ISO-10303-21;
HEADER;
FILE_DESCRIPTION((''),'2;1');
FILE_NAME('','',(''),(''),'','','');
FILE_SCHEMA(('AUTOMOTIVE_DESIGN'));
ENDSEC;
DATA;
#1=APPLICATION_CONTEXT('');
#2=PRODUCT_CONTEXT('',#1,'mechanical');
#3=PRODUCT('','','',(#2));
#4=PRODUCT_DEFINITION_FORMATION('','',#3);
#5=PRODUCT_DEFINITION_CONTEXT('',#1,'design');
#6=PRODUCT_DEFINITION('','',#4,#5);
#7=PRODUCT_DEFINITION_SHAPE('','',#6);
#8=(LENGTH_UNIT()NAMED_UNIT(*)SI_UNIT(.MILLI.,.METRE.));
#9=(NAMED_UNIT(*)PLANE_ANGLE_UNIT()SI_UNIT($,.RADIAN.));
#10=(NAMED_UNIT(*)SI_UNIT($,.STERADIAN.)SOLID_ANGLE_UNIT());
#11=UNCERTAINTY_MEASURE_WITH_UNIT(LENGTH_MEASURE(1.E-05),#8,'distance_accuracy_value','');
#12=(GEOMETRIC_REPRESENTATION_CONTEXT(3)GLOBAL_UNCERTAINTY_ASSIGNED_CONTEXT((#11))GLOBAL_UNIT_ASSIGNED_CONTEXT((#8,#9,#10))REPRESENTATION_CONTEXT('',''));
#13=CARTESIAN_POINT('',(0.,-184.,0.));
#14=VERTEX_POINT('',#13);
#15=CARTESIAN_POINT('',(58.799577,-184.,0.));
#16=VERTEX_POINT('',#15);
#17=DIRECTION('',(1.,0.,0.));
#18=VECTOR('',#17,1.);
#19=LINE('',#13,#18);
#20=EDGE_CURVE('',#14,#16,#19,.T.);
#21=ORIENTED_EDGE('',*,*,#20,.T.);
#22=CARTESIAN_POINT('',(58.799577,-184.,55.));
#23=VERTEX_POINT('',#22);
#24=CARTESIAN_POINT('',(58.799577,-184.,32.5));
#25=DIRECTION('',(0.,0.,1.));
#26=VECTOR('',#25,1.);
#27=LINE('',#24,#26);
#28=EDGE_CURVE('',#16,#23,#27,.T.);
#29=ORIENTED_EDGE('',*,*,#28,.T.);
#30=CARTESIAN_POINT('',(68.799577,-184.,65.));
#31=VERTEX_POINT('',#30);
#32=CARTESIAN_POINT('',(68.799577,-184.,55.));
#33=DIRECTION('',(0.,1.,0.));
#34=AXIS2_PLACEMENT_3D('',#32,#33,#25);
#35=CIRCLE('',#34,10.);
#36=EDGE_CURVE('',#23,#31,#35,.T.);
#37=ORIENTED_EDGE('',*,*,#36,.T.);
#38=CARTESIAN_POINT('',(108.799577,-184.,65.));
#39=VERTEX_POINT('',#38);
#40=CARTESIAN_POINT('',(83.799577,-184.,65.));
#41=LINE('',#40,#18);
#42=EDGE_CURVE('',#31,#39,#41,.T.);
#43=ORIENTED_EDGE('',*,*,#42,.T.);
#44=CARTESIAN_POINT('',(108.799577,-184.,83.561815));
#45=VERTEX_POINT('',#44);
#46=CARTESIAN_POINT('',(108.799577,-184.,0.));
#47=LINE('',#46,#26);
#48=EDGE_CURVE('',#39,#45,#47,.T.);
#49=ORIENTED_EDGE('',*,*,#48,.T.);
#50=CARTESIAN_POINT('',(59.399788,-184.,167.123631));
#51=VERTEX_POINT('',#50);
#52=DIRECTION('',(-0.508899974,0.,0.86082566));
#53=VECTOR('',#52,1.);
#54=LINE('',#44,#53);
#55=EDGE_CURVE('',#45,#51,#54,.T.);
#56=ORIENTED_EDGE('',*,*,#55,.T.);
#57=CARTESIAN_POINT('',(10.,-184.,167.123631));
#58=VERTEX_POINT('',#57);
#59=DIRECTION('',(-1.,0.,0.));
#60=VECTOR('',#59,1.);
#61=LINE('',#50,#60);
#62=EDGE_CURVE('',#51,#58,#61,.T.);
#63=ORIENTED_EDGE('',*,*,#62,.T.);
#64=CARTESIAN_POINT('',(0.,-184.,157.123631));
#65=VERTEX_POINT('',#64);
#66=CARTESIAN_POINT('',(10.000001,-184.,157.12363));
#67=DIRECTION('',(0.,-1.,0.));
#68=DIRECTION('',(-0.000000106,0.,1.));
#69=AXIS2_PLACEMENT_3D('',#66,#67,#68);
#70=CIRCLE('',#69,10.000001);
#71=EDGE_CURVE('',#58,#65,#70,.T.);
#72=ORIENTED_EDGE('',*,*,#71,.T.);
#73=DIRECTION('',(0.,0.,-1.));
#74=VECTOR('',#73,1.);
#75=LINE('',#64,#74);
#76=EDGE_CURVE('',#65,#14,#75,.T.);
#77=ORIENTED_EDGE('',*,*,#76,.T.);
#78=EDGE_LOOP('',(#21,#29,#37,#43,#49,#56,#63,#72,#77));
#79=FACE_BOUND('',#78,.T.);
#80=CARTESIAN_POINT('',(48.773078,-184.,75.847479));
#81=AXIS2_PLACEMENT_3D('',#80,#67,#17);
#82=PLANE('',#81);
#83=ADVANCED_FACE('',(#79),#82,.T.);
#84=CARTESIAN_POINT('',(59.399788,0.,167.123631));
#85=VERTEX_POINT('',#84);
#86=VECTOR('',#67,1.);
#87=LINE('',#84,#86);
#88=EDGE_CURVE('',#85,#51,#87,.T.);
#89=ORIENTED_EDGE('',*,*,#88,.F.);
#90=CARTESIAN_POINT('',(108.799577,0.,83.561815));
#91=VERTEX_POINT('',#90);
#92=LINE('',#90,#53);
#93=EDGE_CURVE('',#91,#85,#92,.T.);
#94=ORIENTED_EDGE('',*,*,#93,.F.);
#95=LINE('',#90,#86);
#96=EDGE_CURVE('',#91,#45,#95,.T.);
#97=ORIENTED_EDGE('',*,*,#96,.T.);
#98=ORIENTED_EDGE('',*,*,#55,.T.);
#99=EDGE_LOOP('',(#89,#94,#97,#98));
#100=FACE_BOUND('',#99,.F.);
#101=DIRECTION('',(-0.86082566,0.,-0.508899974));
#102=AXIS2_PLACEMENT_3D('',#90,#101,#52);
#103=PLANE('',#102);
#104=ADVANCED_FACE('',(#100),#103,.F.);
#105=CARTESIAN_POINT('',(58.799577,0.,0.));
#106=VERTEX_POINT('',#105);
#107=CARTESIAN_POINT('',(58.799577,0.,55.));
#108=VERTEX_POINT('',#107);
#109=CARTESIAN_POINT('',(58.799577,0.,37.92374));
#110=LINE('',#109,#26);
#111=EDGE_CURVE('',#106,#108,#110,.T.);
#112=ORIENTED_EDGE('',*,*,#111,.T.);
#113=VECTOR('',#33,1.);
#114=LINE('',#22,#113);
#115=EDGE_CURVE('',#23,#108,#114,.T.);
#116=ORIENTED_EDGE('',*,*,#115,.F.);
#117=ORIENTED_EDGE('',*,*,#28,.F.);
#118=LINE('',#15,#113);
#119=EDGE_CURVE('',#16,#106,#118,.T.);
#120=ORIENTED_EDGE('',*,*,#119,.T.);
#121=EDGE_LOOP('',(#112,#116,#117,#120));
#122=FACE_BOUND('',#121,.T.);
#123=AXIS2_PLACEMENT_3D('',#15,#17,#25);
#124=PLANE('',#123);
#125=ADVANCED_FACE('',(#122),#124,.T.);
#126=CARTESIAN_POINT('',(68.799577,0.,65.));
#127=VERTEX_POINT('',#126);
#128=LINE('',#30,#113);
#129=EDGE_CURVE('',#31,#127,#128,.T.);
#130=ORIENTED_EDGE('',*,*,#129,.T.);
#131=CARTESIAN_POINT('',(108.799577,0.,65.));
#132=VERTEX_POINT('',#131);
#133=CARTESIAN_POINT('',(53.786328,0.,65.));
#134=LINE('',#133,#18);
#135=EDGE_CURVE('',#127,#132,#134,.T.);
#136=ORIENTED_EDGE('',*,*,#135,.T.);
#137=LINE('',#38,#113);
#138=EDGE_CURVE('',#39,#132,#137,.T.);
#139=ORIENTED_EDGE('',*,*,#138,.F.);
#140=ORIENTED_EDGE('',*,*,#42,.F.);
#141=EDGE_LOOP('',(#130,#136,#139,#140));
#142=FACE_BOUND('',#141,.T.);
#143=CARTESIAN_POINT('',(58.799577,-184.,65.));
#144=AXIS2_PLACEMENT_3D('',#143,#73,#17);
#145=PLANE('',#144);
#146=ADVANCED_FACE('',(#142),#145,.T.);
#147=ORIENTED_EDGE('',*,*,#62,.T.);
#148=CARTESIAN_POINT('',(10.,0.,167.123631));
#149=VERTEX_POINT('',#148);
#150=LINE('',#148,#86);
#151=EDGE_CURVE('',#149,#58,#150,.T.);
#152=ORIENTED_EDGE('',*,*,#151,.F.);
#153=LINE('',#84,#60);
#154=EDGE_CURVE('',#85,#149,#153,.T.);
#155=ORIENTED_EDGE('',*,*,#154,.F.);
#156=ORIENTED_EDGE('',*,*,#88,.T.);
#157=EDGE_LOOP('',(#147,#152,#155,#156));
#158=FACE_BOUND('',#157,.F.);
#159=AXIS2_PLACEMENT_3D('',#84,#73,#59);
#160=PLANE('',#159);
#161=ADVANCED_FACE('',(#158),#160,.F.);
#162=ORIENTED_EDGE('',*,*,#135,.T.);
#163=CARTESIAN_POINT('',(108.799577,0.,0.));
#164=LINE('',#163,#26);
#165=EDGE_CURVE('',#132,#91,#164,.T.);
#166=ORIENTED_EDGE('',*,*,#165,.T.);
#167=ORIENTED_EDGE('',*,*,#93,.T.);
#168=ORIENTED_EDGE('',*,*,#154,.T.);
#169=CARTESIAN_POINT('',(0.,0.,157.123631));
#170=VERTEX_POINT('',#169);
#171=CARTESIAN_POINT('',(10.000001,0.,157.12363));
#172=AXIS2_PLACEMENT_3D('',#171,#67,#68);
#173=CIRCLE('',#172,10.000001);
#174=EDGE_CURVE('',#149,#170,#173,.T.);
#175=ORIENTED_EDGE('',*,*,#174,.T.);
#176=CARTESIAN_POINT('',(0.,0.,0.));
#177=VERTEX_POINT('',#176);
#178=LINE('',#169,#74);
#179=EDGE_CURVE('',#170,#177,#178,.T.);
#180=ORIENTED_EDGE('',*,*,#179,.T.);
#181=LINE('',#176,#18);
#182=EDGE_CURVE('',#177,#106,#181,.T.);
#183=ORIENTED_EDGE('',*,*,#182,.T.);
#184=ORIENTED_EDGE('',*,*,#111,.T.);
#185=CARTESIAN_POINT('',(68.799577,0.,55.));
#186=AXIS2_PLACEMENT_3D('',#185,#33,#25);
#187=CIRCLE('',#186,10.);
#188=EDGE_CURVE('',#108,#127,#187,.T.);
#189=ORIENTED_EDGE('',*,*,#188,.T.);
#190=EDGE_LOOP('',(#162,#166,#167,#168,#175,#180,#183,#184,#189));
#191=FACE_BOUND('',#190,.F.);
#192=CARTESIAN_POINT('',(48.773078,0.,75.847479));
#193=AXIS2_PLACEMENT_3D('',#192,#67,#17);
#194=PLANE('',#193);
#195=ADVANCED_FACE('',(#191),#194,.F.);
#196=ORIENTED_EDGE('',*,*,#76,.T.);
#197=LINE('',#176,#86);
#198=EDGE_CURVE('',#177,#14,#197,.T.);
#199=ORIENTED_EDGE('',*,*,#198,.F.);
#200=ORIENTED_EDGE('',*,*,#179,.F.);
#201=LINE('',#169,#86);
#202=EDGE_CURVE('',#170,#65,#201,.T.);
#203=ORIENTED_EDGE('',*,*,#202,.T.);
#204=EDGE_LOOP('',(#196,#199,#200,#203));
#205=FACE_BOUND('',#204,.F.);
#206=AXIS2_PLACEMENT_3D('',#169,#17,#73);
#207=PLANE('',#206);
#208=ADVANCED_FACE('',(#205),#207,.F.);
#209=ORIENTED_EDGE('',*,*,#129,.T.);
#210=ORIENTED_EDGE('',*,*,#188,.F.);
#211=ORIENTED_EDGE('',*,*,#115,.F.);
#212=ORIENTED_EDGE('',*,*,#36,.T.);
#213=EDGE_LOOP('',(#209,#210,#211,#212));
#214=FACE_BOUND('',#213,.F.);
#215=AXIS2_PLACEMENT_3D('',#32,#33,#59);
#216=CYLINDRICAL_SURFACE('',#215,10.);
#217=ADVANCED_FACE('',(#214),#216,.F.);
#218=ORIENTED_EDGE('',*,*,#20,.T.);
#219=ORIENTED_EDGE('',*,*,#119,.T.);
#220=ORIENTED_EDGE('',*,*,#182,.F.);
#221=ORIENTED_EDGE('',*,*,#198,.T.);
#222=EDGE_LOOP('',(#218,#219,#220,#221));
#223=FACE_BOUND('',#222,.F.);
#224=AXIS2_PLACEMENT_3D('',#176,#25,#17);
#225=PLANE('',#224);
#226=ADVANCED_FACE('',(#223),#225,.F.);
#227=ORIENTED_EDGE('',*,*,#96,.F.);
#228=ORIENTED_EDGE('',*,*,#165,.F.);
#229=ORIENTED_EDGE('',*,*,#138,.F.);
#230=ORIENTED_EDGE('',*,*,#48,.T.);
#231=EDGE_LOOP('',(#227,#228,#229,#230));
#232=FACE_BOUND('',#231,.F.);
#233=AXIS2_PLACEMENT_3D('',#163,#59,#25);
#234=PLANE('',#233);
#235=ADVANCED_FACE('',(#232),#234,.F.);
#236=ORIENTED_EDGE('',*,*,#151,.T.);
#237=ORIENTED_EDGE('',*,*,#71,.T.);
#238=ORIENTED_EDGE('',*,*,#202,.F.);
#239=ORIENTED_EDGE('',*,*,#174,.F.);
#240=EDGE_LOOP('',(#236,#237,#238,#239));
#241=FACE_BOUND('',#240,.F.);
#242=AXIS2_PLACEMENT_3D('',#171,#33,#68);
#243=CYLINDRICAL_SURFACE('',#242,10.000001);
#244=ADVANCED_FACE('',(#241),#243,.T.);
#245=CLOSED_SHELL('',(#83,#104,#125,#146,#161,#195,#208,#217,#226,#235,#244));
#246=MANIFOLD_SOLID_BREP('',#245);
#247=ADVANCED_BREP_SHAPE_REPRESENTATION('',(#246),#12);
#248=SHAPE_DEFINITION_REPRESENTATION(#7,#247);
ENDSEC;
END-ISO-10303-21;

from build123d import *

# Parameters (mm, degrees)
F1_DEPTH = 184
F2_W     = 50
F2_H     = 65
F3_DEPTH = 321
F4_R     = 10


with BuildPart() as f1:
    # F0 (on Front) → F1 (new body)
    with BuildSketch(Plane.XZ):
        with BuildLine():
            Line((0, 157.123631), (0, 0))
            Line((0, 0), (108.799577, 0))
            Line((108.799577, 0), (108.799577, 83.561815))
            Line((108.799577, 83.561815), (59.399788, 167.123631))
            Line((59.399788, 167.123631), (10, 167.123631))
            ThreePointArc((10, 167.123631), (2.928932, 164.194698), (0, 157.123631))
        make_face()
    extrude(amount=F1_DEPTH)

    # F2 (on face) → F3 (cut)
    with BuildSketch(Plane.XZ.offset(184)):
        with Locations((83.799577, 32.5)):
            Rectangle(F2_W, F2_H)
    extrude(amount=-F3_DEPTH, mode=Mode.SUBTRACT)

    # F4
    f4_edges = [f1.edges().sort_by_distance(p)[0] for p in [
        (58.799577, -92, 65),
    ]]
    fillet(f4_edges, radius=F4_R)


solid = f1.part
